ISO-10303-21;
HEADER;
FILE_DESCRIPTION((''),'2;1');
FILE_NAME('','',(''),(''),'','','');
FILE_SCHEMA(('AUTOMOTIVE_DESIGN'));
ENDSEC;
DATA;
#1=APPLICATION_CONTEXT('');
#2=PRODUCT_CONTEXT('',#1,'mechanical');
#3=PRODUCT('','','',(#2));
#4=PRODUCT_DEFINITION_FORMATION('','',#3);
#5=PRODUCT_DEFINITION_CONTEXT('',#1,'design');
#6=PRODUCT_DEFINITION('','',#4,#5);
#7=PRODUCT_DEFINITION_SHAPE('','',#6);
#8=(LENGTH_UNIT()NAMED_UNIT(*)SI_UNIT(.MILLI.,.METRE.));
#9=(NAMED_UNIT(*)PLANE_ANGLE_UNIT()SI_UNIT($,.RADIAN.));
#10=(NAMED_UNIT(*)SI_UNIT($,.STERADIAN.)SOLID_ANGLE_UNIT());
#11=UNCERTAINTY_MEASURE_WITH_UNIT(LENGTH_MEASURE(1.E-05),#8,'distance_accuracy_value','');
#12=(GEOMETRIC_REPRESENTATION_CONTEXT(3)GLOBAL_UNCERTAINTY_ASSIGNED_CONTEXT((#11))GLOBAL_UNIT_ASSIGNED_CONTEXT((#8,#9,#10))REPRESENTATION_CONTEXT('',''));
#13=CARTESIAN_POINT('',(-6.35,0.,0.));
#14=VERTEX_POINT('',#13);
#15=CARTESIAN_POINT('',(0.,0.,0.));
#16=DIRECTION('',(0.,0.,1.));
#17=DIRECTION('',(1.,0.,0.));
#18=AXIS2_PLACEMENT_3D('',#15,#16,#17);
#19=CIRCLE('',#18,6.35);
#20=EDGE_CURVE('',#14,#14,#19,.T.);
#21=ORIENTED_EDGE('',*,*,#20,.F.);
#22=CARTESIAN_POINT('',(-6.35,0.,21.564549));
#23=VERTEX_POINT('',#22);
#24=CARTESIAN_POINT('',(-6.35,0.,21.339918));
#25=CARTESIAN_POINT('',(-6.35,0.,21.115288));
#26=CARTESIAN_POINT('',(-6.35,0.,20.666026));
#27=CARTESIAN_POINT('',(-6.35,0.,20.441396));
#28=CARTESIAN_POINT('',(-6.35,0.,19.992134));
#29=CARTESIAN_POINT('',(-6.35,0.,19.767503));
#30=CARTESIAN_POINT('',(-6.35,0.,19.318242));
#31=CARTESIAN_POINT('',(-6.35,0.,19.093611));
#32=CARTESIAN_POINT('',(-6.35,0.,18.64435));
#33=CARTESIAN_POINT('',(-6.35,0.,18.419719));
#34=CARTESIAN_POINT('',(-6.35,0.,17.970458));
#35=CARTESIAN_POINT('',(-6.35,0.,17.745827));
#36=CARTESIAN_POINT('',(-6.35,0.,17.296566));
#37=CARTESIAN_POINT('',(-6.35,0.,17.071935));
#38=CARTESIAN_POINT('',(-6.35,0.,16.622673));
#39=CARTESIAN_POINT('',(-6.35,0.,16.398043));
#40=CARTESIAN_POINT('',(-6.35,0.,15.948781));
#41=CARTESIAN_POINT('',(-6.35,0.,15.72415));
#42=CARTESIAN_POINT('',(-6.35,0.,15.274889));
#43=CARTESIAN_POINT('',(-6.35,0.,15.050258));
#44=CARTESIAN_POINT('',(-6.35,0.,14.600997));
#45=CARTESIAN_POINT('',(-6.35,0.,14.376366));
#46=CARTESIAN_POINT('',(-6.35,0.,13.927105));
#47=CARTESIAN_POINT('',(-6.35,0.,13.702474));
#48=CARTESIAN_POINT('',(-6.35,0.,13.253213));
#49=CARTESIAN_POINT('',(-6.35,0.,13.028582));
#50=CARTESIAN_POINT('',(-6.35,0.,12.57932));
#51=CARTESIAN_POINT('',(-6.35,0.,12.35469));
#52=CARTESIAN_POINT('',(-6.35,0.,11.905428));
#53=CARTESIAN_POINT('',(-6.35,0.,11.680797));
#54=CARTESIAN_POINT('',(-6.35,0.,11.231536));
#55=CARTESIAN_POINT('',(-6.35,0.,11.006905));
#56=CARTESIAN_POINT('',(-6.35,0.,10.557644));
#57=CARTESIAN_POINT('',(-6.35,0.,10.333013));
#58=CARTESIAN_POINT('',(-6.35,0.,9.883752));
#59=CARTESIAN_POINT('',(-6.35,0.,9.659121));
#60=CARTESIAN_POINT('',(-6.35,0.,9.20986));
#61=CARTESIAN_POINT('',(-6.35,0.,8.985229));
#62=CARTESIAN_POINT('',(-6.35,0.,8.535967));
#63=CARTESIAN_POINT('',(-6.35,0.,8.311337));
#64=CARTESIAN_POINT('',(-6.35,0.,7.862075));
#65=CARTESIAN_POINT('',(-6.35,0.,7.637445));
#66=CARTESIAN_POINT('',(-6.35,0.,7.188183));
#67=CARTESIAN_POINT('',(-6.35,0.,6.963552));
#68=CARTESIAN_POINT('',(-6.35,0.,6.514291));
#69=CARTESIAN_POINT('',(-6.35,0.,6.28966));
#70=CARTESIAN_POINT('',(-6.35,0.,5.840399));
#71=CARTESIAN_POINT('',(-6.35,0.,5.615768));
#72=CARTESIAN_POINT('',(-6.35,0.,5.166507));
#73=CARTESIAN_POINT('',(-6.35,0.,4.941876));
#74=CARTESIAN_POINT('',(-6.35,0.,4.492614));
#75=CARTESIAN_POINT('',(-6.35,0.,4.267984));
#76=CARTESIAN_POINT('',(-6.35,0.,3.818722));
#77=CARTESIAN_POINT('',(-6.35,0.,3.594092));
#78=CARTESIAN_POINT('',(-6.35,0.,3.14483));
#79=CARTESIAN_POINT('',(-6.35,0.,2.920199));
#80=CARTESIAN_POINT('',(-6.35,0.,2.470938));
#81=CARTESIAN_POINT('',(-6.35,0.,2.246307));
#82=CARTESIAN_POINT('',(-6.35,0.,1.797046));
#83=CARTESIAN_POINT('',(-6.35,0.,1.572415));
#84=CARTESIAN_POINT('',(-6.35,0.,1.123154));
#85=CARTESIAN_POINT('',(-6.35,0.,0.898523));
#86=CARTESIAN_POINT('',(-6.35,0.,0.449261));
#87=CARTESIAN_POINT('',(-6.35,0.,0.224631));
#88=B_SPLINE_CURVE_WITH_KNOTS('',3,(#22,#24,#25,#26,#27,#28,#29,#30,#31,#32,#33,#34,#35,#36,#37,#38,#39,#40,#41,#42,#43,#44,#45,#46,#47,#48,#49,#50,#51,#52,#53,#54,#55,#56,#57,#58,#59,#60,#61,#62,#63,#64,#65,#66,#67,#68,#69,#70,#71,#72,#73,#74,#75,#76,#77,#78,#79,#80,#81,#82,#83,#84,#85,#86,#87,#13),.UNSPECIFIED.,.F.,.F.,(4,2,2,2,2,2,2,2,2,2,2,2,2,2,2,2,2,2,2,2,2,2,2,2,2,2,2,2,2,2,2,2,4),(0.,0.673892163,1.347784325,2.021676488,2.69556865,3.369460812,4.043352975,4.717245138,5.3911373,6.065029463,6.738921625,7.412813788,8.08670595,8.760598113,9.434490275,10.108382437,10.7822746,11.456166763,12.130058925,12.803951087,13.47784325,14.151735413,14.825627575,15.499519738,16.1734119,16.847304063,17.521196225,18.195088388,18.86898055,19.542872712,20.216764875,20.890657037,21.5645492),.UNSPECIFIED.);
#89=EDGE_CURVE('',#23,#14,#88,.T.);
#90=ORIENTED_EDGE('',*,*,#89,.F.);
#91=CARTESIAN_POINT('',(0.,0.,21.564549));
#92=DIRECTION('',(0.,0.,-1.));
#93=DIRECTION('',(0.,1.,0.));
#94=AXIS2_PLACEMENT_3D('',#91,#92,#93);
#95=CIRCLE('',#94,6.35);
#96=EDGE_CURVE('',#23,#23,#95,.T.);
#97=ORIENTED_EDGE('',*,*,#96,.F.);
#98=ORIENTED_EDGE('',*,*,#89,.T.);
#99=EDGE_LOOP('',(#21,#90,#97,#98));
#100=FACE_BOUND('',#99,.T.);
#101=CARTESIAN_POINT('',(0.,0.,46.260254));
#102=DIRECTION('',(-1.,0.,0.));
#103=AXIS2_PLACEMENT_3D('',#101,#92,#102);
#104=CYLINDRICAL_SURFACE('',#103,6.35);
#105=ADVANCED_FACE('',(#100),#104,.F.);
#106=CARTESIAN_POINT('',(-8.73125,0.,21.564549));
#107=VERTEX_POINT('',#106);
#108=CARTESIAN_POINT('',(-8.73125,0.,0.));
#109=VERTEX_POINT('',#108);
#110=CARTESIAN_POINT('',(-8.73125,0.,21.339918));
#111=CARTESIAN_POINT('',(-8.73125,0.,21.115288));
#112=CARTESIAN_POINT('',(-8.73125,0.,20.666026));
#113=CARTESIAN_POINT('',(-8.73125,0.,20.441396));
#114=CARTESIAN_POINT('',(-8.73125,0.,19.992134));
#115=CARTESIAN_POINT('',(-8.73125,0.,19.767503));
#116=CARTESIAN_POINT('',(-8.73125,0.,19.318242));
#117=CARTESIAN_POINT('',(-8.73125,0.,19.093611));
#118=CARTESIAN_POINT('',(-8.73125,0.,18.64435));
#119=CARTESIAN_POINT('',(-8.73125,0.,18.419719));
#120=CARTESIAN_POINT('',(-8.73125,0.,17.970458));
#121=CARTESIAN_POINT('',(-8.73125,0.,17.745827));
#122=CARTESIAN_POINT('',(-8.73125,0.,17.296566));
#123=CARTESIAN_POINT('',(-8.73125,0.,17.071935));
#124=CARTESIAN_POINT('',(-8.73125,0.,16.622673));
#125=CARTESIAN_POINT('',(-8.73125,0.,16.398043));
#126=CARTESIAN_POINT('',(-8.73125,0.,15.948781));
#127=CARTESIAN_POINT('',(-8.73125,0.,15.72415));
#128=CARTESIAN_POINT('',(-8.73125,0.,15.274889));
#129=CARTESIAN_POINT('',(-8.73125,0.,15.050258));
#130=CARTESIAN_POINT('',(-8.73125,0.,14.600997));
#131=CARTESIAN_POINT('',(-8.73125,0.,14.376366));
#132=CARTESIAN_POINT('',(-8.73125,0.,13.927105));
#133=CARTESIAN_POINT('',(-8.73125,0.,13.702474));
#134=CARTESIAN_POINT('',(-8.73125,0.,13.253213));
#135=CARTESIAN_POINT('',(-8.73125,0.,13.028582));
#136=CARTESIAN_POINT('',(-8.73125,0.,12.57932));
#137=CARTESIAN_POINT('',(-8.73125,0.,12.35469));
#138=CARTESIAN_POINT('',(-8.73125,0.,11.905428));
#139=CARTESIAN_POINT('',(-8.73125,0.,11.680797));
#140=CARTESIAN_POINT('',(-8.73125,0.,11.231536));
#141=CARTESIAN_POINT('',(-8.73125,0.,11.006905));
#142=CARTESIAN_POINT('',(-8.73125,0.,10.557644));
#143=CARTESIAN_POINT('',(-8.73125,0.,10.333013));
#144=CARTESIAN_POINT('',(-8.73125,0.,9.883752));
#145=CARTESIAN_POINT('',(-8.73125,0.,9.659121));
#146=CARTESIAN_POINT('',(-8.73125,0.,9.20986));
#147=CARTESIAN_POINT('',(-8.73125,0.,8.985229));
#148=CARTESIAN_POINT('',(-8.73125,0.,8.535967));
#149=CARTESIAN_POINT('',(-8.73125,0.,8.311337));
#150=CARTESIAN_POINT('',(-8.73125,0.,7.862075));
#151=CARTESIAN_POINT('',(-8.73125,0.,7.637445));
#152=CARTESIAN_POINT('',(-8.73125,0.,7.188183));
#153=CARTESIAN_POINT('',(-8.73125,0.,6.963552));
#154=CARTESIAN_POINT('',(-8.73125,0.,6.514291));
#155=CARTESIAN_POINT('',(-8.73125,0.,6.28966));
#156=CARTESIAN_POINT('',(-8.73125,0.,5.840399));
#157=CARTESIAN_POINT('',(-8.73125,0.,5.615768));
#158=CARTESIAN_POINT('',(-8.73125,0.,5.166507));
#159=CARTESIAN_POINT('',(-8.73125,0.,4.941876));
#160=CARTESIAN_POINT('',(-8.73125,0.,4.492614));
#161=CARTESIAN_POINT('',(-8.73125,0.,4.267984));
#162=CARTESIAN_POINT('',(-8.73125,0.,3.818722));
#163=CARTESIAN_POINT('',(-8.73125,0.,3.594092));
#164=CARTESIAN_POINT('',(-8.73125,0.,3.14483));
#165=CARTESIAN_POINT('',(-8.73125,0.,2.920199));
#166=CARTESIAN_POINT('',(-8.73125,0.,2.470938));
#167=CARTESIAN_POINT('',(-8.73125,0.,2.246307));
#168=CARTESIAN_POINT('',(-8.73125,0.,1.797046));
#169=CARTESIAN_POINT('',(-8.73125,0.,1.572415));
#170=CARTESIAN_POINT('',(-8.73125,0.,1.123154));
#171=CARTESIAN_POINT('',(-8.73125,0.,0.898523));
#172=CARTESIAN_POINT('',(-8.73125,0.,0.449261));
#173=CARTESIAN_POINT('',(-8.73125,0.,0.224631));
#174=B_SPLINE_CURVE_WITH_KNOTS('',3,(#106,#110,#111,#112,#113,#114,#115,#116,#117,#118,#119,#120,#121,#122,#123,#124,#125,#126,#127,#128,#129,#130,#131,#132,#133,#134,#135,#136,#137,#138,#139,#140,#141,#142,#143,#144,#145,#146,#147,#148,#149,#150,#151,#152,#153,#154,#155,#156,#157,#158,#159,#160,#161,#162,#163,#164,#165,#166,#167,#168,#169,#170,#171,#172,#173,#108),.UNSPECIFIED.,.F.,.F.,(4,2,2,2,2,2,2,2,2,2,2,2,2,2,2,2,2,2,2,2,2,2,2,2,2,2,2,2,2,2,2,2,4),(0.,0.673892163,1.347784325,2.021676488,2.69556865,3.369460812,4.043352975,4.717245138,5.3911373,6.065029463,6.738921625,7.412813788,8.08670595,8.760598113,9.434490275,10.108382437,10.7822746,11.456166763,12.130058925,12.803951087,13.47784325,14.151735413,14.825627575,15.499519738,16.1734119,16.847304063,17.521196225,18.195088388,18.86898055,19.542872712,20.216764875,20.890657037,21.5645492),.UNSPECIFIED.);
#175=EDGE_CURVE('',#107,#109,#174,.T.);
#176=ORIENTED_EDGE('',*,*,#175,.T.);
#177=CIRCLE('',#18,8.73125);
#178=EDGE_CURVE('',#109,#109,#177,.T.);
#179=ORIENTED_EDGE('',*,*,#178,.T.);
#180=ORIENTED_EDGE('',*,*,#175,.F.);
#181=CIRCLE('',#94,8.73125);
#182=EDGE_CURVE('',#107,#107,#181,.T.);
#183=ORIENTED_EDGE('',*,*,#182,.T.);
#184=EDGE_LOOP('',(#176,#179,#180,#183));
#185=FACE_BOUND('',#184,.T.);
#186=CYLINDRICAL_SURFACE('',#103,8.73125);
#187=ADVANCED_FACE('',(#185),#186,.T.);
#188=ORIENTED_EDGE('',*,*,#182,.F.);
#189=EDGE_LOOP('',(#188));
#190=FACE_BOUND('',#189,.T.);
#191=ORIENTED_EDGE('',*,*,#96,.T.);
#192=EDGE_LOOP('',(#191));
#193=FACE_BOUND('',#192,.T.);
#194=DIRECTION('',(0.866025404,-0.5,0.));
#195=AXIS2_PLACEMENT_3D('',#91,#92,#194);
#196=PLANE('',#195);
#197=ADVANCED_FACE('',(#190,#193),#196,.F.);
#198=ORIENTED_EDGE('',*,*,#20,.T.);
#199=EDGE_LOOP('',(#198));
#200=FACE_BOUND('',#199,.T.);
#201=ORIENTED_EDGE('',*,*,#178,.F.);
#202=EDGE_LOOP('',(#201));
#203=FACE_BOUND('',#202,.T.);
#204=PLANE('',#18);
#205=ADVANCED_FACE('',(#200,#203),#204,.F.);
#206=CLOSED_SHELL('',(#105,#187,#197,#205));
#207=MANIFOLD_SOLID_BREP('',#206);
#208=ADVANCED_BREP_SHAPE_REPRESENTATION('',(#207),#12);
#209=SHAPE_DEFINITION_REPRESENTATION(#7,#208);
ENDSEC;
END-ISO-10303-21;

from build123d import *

# Parameters (mm, degrees)
SKETCH1_R           = 8.73125
SKETCH1_R_2         = 6.35
BOSS_EXTRUDE1_DEPTH = 21.5645492


with BuildPart() as part:
    # Sketch1 → Boss-Extrude1 (new body)
    with BuildSketch(Plane.XY):
        with Locations(Location((0, 0, 0), (0, 0, 180))):
            Circle(SKETCH1_R)
        with Locations(Location((0, 0, 0), (0, 0, 180))):
            Circle(SKETCH1_R_2, mode=Mode.SUBTRACT)
    extrude(amount=BOSS_EXTRUDE1_DEPTH)


solid = part.part
